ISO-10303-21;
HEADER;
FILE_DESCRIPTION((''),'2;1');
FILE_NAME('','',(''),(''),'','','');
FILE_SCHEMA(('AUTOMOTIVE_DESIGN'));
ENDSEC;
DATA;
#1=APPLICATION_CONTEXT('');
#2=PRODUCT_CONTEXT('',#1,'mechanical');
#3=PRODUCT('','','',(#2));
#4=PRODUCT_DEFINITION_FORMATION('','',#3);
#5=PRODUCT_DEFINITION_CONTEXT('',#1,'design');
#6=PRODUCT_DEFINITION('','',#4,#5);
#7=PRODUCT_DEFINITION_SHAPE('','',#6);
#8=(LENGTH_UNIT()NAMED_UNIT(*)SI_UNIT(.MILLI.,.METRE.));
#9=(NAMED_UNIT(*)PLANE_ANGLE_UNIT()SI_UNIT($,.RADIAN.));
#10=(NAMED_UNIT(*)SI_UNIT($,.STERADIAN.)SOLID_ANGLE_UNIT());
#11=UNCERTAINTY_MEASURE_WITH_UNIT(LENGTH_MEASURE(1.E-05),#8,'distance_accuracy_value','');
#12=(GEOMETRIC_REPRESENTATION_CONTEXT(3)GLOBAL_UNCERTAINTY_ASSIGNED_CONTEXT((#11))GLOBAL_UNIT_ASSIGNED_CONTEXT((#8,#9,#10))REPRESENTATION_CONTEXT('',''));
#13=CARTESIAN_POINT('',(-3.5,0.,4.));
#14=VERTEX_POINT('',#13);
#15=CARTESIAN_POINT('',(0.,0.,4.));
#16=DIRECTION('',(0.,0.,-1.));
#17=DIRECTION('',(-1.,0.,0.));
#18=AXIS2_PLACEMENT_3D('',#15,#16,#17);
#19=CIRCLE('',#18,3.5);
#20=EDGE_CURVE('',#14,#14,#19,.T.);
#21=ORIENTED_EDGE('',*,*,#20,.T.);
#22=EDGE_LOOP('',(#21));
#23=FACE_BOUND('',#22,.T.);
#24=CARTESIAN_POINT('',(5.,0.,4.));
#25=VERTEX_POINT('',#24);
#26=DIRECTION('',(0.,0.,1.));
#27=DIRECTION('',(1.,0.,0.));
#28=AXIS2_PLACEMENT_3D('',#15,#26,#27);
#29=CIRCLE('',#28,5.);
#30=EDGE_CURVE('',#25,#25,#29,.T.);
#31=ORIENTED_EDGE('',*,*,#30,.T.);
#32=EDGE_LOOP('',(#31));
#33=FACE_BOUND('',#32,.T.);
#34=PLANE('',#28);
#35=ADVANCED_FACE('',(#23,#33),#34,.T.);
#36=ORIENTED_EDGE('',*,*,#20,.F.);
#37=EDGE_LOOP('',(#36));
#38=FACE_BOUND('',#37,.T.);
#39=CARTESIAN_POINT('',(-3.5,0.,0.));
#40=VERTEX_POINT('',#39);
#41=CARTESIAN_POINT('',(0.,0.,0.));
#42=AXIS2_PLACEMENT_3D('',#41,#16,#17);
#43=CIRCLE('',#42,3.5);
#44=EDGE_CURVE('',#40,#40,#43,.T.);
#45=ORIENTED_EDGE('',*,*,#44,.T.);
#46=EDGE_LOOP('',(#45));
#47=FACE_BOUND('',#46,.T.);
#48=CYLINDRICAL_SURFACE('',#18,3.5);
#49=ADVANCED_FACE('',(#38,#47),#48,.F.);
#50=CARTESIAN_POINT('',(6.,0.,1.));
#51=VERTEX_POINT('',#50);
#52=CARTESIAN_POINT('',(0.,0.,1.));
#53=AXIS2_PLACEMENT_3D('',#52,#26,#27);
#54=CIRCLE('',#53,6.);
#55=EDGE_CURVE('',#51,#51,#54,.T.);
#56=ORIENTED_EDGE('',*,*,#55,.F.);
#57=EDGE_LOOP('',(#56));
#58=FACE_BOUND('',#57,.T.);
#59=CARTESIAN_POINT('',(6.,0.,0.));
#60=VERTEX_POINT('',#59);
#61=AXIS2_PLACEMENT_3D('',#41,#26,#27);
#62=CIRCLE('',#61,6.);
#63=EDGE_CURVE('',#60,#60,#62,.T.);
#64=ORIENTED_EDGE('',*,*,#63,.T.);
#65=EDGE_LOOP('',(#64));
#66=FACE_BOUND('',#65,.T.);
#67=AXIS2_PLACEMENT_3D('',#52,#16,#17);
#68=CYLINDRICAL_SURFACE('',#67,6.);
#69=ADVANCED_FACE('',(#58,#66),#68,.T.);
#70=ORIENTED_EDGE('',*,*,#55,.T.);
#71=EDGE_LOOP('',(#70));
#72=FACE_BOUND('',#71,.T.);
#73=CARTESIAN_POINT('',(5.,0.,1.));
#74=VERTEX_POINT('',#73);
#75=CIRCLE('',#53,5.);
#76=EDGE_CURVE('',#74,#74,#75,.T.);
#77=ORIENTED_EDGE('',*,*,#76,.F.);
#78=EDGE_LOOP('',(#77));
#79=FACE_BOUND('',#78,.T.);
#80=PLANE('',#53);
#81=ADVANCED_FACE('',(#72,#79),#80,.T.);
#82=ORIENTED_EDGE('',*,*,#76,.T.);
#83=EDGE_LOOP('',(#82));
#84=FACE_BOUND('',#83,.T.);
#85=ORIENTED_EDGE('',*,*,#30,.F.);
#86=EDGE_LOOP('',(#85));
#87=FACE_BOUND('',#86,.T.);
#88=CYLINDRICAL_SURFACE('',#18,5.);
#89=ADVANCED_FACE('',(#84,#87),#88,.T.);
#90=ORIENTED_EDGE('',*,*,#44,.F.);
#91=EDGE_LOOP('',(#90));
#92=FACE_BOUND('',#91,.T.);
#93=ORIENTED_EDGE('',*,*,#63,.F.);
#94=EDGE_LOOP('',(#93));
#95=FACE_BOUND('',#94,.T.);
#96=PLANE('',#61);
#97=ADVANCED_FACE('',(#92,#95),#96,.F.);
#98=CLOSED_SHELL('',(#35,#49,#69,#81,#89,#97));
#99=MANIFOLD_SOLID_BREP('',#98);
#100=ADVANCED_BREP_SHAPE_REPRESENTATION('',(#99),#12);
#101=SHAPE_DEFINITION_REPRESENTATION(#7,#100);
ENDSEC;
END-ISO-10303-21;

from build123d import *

# Parameters (mm, degrees)
SKETCH_2_R          = 6
EXTRUDE_1_DEPTH     = 1
SKETCH_3_R          = 5
EXTRUDE_2_DEPTH     = 3
SKETCH_4_R          = 3.5
CUT_EXTRUDE_1_DEPTH = 5


with BuildPart() as part:
    # Эскиз2 → Бобышка-Вытянуть1 (new body)
    with BuildSketch(Plane.XY):
        Circle(SKETCH_2_R)
    extrude(amount=EXTRUDE_1_DEPTH)

    # Эскиз3 → Бобышка-Вытянуть2 (add)
    with BuildSketch(Plane.XY.offset(1)):
        Circle(SKETCH_3_R)
    extrude(amount=EXTRUDE_2_DEPTH)

    # Эскиз4 → Вырез-Вытянуть1 (cut, through all)
    with BuildSketch(Plane(origin=(0, 0, 0), x_dir=(-1, 0, 0), z_dir=(0, 0, -1))):
        Circle(SKETCH_4_R)
    extrude(amount=-CUT_EXTRUDE_1_DEPTH, mode=Mode.SUBTRACT)


solid = part.part
